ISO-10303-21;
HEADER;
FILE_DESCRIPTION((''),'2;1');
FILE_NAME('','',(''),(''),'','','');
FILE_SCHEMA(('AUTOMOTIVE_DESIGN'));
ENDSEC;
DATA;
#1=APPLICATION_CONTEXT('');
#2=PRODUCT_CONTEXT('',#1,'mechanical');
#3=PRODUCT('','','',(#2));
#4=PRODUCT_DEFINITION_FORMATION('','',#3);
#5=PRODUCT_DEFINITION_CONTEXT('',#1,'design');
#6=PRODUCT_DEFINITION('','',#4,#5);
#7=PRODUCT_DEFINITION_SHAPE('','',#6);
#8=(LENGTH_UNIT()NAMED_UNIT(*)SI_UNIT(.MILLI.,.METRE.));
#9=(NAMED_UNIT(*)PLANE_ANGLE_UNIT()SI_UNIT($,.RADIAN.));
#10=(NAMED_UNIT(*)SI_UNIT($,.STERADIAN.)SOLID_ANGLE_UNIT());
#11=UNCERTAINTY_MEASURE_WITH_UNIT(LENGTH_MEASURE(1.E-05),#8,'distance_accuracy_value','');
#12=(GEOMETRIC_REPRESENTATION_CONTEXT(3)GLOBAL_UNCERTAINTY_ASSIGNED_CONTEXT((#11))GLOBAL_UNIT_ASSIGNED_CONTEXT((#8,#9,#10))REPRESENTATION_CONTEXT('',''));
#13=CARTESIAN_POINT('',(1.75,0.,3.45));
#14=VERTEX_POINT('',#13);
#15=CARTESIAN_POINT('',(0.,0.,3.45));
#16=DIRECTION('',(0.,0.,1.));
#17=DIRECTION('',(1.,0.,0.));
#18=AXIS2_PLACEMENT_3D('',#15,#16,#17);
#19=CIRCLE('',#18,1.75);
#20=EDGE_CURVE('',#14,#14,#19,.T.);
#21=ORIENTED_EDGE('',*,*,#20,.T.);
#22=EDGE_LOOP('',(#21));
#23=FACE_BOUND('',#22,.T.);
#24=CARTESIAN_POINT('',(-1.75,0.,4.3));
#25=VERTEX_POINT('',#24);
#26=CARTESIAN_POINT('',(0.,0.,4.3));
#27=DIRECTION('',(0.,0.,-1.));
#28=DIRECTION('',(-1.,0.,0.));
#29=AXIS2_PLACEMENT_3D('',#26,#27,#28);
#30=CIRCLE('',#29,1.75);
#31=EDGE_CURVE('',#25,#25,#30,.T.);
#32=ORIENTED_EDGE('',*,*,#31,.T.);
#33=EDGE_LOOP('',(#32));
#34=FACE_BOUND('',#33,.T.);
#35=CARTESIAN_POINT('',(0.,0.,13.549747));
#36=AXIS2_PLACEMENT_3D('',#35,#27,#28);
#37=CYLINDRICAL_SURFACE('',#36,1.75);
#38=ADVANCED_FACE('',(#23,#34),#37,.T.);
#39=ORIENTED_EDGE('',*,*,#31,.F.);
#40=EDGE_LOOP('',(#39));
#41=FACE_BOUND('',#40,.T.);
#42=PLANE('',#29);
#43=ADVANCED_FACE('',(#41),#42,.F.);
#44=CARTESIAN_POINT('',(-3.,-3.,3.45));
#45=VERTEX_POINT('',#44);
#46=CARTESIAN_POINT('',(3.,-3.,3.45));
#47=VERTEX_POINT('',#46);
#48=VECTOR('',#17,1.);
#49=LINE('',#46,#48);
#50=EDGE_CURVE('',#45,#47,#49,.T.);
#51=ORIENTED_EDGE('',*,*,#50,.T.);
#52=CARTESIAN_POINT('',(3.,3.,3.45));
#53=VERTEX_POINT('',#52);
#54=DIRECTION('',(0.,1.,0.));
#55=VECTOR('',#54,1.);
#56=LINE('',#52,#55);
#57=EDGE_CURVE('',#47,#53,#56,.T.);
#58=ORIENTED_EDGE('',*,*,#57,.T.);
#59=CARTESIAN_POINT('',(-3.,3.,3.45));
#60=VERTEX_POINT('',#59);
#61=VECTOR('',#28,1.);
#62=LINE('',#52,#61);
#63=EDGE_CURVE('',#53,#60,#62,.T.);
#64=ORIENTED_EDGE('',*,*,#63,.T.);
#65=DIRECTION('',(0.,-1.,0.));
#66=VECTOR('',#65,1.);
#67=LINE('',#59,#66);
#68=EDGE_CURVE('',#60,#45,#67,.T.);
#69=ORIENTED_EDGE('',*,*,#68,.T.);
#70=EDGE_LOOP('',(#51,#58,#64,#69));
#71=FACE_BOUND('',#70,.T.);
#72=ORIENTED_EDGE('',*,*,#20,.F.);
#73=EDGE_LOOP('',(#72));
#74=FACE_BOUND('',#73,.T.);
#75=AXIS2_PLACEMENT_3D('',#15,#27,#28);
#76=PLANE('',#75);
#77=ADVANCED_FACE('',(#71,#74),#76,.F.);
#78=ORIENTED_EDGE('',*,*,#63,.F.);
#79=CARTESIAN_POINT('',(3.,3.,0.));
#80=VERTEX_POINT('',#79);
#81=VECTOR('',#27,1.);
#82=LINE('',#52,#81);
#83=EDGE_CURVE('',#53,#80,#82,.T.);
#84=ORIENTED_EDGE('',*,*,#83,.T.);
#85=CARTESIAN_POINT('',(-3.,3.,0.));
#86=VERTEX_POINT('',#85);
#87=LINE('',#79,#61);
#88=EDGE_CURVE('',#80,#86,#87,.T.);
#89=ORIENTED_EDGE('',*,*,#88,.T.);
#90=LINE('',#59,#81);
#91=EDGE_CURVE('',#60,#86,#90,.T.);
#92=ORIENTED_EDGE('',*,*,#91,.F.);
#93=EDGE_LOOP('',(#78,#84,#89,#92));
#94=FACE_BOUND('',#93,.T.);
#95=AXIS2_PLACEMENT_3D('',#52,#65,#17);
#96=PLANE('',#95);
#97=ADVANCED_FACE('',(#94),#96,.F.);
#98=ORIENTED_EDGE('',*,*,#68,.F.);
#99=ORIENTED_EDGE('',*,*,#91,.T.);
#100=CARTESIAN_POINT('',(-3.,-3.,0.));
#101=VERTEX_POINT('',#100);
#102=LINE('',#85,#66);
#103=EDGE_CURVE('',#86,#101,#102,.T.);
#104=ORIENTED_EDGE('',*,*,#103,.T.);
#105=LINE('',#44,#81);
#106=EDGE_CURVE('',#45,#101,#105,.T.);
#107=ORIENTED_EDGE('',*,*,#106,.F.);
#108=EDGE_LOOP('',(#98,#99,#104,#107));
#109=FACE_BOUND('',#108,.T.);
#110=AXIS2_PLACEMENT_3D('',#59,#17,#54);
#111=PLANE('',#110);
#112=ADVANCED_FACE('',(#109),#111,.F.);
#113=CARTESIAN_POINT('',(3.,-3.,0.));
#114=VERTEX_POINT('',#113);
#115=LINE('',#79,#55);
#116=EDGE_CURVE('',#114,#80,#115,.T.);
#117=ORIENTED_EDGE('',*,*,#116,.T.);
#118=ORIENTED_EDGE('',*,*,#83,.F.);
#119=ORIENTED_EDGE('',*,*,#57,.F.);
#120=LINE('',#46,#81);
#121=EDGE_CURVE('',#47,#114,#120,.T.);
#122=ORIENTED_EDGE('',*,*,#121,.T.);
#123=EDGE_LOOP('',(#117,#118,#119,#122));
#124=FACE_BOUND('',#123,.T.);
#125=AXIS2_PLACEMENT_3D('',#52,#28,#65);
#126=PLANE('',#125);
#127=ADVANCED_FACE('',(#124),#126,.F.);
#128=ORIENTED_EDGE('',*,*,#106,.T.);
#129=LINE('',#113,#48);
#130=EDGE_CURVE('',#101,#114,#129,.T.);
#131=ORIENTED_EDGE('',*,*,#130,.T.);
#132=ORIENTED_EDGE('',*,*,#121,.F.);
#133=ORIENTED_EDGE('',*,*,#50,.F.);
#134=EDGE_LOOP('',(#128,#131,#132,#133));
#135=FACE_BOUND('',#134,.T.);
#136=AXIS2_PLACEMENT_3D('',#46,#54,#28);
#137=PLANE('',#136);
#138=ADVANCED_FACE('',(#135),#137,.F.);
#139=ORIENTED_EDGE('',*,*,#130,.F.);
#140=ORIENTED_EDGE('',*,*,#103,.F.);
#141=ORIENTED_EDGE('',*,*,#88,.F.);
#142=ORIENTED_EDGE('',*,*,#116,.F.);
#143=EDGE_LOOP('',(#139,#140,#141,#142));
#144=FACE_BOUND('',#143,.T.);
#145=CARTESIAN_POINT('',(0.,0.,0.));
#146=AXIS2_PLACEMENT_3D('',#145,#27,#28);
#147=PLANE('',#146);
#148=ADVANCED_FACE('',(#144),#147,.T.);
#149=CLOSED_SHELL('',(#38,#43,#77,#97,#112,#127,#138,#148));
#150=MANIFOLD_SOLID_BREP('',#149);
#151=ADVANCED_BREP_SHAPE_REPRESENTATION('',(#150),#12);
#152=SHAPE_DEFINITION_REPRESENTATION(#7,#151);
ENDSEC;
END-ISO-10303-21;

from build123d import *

# Parameters (mm, degrees)
SKETCH1_W           = 6
SKETCH1_H           = 6
BOSS_EXTRUDE1_DEPTH = 3.45
SKETCH2_R           = 1.75
BOSS_EXTRUDE3_DEPTH = 0.85


with BuildPart() as part:
    # Sketch1 → Boss-Extrude1 (new body)
    with BuildSketch(Plane.XY):
        Rectangle(SKETCH1_W, SKETCH1_H)
    extrude(amount=BOSS_EXTRUDE1_DEPTH)

    # Sketch2 → Boss-Extrude3 (add)
    with BuildSketch(Plane.XY.offset(3.45)):
        with Locations(Location((0, 0, 0), (0, 0, 180))):
            Circle(SKETCH2_R)
    extrude(amount=BOSS_EXTRUDE3_DEPTH)


solid = part.part
